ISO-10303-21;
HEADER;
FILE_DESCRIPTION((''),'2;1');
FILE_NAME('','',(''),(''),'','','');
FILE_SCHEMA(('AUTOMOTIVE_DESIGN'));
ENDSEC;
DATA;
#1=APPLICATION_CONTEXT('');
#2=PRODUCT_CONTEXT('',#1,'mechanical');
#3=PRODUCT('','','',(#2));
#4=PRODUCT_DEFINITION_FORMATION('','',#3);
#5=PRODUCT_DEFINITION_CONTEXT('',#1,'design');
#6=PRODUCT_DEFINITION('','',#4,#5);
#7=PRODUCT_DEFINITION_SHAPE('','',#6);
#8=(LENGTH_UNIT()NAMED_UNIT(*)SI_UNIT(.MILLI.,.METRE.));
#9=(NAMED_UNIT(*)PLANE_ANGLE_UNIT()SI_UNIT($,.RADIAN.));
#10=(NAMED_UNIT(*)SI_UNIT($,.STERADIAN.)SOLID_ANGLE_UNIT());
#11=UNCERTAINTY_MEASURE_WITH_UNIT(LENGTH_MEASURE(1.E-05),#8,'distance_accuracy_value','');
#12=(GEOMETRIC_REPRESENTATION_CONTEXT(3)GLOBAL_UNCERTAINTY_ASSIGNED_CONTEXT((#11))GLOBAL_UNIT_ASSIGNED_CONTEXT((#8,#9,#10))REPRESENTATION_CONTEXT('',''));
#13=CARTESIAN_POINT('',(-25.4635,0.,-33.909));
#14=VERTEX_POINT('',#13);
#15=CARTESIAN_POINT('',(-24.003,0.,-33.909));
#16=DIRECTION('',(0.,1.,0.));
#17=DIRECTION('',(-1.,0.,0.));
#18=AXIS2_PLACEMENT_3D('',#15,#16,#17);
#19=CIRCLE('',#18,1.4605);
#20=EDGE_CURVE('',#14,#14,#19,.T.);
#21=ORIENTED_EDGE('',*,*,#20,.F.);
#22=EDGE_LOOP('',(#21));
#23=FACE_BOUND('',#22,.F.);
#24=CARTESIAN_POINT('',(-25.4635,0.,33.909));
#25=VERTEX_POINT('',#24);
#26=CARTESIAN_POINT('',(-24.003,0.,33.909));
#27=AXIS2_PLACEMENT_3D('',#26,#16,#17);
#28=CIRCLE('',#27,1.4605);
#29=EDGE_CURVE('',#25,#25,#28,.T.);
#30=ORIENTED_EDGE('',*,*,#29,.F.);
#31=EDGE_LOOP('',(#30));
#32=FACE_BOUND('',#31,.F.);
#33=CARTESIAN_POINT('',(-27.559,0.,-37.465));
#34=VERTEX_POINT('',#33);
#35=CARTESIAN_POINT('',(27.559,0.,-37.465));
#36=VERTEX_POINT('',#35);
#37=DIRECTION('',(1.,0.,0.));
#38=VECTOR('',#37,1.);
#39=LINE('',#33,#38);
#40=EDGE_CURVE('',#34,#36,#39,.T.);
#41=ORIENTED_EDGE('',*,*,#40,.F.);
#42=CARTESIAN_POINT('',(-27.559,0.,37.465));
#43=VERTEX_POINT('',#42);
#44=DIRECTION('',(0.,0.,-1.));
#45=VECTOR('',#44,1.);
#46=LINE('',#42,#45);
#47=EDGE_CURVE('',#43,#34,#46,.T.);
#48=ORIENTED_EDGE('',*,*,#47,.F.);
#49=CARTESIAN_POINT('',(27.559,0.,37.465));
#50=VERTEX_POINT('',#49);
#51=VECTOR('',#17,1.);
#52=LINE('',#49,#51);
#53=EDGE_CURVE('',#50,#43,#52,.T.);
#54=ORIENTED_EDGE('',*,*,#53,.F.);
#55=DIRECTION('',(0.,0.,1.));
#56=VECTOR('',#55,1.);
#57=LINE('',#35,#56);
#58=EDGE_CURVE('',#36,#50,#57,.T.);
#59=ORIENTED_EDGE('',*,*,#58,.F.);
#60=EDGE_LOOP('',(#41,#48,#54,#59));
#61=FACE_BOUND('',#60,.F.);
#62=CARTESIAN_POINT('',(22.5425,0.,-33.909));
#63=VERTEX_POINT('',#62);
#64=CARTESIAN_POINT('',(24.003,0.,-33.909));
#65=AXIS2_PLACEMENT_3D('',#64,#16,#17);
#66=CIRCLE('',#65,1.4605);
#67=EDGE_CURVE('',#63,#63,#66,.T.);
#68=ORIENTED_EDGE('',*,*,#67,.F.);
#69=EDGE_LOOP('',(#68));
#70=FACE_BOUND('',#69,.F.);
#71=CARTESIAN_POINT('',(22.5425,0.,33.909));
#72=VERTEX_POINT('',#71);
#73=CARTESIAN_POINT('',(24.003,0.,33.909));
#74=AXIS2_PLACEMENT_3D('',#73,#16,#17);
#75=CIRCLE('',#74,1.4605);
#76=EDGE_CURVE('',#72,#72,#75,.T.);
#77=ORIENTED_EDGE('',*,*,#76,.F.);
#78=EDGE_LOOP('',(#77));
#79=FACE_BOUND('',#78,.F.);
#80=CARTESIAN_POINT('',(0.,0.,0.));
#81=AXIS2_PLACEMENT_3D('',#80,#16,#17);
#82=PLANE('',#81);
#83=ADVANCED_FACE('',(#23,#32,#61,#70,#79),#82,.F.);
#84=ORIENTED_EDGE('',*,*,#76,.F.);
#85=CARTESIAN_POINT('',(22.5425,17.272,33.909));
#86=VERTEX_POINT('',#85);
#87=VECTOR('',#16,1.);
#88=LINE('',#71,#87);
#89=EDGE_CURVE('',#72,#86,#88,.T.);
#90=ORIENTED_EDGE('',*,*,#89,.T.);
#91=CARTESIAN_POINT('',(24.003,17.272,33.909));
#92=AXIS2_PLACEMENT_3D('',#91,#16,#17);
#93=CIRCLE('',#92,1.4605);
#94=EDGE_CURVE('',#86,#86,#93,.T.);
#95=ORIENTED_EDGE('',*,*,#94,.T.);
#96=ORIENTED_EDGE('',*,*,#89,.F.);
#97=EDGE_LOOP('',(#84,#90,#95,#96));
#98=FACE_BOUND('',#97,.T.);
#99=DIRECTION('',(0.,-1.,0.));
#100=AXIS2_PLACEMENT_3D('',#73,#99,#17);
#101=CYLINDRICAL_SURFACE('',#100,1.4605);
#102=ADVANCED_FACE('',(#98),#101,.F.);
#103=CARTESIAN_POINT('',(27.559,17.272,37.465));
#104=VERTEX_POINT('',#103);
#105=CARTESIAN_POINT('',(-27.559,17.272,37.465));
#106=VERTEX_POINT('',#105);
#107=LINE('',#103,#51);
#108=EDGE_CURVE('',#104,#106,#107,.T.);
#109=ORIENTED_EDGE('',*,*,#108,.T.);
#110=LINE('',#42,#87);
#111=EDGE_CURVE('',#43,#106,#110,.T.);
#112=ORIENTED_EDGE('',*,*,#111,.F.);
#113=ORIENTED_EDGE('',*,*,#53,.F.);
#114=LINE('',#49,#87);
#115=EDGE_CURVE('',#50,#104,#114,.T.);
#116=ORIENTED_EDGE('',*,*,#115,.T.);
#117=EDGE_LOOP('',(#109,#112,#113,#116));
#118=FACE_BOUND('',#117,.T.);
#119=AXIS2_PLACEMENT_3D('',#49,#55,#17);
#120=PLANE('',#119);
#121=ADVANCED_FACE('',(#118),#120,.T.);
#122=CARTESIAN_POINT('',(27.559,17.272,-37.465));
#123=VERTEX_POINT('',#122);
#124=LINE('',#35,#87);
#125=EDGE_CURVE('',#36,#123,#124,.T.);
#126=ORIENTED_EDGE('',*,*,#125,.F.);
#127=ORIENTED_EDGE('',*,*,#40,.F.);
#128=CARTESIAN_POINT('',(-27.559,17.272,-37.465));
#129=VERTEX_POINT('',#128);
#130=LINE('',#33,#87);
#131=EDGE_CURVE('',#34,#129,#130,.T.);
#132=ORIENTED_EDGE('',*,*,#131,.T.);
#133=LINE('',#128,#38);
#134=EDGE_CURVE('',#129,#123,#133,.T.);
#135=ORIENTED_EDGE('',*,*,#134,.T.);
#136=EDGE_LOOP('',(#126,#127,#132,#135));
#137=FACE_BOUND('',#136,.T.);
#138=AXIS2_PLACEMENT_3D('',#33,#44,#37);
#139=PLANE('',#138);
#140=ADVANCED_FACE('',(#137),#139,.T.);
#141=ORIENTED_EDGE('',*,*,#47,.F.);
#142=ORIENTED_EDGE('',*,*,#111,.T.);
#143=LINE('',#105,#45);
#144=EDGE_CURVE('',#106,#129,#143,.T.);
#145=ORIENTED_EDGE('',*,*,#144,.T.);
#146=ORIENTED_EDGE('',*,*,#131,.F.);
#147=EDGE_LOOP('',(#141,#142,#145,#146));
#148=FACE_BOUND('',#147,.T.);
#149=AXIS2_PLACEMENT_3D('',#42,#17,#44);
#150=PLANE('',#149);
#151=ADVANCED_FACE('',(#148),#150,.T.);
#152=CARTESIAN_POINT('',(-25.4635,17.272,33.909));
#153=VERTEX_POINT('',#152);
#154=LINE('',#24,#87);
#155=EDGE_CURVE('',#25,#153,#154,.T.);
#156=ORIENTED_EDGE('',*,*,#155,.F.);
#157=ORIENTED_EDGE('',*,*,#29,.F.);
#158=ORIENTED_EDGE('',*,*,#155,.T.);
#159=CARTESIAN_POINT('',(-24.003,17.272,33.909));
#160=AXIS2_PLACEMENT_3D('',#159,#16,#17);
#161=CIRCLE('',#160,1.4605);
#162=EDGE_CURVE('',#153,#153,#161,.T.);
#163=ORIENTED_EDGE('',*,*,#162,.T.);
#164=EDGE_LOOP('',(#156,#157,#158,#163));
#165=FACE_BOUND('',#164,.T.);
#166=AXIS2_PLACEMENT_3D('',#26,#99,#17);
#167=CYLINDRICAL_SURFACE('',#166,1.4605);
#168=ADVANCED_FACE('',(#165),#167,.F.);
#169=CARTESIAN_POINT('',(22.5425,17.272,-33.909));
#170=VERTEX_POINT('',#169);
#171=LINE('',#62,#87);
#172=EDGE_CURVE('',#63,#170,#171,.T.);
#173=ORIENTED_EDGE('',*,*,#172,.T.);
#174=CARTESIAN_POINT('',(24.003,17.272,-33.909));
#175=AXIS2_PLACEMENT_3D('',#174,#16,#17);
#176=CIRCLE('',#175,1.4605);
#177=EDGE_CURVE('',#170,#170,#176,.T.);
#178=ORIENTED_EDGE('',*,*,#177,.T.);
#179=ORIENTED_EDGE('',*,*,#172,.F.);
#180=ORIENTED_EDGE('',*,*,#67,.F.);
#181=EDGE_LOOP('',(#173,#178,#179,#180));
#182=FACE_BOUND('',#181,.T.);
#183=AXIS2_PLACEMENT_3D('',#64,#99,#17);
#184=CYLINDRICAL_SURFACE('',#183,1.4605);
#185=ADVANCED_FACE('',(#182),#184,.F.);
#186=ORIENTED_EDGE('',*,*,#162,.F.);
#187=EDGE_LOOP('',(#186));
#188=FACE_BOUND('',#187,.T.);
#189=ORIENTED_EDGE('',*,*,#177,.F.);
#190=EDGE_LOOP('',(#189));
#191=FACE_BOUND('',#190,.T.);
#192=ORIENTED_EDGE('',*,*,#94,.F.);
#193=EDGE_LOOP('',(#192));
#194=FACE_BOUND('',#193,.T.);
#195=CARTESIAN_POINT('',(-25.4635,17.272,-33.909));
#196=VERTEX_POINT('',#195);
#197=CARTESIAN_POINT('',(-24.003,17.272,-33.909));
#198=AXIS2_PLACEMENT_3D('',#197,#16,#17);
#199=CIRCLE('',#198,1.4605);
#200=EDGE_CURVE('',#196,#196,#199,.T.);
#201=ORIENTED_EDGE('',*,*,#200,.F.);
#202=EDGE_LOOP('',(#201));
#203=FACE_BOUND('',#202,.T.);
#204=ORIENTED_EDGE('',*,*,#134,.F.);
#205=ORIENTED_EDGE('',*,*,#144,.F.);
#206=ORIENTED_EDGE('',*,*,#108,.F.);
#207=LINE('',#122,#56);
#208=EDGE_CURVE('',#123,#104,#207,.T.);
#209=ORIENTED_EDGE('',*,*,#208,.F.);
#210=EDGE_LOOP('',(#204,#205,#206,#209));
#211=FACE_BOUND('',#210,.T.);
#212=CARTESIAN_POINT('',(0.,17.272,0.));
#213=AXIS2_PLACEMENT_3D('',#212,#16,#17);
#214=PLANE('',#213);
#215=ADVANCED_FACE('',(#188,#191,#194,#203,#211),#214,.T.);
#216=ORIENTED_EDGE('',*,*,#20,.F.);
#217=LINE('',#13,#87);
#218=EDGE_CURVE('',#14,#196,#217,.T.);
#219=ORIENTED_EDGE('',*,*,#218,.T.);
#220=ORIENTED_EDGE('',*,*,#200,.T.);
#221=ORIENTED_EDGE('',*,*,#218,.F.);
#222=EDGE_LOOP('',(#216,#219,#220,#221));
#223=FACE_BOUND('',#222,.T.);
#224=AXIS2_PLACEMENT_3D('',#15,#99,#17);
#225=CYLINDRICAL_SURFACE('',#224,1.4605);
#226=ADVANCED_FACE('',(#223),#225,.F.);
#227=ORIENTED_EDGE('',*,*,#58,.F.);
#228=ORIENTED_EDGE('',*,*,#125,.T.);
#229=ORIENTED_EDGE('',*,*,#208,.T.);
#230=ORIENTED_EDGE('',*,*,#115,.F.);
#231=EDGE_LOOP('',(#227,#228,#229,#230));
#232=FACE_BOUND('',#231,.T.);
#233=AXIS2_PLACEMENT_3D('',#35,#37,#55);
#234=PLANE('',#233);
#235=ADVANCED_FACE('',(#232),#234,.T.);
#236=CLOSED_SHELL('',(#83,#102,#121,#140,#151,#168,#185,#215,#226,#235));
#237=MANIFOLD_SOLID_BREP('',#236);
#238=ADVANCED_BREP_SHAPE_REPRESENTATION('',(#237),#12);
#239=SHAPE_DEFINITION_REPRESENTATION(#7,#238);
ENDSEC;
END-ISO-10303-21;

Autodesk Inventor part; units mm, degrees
ref_plane "YZ Plane" through (0, 0, 0) normal (1, 0, 0) x (0, 1, 0)
ref_plane "XZ Plane" through (0, 0, 0) normal (0, 1, 0) x (-1, 0, 0)
ref_plane "XY Plane" through (0, 0, 0) normal (0, 0, 1) x (1, 0, 0)
sketch "Sketch1" plane through (0, 0, 0) normal (0, 1, 0) x (-1, 0, 0)
  line L0 (27.559, -37.465) -> (-27.559, -37.465)
  line L1 (-27.559, -37.465) -> (-27.559, 37.465)
  line L2 (-27.559, 37.465) -> (27.559, 37.465)
  line L3 (27.559, 37.465) -> (27.559, -37.465)
  circle A0 centre (24.003, -33.909) radius 1.4605
  circle A1 centre (-24.003, -33.909) radius 1.4605
  circle A2 centre (-24.003, 33.909) radius 1.4605
  circle A3 centre (24.003, 33.909) radius 1.4605
  point P0 (0, 0)
  point P1 (0, -37.465)
  point P2 (27.559, 0)
  dimension "d0" = 55.118
  dimension "d1" = 74.93
  dimension "d2" = 2.921
  dimension "d3" = 3.556
  dimension "d4" = 3.556
  dimension "d5" = 3.556
  dimension "d6" = 3.556
extrude "Extrusion1" add sketch "Sketch1" along normal blind 17.272
equation "\"d5\" = d3"
equation "\"d6\" = d4"
properties part number "Relay Board"
